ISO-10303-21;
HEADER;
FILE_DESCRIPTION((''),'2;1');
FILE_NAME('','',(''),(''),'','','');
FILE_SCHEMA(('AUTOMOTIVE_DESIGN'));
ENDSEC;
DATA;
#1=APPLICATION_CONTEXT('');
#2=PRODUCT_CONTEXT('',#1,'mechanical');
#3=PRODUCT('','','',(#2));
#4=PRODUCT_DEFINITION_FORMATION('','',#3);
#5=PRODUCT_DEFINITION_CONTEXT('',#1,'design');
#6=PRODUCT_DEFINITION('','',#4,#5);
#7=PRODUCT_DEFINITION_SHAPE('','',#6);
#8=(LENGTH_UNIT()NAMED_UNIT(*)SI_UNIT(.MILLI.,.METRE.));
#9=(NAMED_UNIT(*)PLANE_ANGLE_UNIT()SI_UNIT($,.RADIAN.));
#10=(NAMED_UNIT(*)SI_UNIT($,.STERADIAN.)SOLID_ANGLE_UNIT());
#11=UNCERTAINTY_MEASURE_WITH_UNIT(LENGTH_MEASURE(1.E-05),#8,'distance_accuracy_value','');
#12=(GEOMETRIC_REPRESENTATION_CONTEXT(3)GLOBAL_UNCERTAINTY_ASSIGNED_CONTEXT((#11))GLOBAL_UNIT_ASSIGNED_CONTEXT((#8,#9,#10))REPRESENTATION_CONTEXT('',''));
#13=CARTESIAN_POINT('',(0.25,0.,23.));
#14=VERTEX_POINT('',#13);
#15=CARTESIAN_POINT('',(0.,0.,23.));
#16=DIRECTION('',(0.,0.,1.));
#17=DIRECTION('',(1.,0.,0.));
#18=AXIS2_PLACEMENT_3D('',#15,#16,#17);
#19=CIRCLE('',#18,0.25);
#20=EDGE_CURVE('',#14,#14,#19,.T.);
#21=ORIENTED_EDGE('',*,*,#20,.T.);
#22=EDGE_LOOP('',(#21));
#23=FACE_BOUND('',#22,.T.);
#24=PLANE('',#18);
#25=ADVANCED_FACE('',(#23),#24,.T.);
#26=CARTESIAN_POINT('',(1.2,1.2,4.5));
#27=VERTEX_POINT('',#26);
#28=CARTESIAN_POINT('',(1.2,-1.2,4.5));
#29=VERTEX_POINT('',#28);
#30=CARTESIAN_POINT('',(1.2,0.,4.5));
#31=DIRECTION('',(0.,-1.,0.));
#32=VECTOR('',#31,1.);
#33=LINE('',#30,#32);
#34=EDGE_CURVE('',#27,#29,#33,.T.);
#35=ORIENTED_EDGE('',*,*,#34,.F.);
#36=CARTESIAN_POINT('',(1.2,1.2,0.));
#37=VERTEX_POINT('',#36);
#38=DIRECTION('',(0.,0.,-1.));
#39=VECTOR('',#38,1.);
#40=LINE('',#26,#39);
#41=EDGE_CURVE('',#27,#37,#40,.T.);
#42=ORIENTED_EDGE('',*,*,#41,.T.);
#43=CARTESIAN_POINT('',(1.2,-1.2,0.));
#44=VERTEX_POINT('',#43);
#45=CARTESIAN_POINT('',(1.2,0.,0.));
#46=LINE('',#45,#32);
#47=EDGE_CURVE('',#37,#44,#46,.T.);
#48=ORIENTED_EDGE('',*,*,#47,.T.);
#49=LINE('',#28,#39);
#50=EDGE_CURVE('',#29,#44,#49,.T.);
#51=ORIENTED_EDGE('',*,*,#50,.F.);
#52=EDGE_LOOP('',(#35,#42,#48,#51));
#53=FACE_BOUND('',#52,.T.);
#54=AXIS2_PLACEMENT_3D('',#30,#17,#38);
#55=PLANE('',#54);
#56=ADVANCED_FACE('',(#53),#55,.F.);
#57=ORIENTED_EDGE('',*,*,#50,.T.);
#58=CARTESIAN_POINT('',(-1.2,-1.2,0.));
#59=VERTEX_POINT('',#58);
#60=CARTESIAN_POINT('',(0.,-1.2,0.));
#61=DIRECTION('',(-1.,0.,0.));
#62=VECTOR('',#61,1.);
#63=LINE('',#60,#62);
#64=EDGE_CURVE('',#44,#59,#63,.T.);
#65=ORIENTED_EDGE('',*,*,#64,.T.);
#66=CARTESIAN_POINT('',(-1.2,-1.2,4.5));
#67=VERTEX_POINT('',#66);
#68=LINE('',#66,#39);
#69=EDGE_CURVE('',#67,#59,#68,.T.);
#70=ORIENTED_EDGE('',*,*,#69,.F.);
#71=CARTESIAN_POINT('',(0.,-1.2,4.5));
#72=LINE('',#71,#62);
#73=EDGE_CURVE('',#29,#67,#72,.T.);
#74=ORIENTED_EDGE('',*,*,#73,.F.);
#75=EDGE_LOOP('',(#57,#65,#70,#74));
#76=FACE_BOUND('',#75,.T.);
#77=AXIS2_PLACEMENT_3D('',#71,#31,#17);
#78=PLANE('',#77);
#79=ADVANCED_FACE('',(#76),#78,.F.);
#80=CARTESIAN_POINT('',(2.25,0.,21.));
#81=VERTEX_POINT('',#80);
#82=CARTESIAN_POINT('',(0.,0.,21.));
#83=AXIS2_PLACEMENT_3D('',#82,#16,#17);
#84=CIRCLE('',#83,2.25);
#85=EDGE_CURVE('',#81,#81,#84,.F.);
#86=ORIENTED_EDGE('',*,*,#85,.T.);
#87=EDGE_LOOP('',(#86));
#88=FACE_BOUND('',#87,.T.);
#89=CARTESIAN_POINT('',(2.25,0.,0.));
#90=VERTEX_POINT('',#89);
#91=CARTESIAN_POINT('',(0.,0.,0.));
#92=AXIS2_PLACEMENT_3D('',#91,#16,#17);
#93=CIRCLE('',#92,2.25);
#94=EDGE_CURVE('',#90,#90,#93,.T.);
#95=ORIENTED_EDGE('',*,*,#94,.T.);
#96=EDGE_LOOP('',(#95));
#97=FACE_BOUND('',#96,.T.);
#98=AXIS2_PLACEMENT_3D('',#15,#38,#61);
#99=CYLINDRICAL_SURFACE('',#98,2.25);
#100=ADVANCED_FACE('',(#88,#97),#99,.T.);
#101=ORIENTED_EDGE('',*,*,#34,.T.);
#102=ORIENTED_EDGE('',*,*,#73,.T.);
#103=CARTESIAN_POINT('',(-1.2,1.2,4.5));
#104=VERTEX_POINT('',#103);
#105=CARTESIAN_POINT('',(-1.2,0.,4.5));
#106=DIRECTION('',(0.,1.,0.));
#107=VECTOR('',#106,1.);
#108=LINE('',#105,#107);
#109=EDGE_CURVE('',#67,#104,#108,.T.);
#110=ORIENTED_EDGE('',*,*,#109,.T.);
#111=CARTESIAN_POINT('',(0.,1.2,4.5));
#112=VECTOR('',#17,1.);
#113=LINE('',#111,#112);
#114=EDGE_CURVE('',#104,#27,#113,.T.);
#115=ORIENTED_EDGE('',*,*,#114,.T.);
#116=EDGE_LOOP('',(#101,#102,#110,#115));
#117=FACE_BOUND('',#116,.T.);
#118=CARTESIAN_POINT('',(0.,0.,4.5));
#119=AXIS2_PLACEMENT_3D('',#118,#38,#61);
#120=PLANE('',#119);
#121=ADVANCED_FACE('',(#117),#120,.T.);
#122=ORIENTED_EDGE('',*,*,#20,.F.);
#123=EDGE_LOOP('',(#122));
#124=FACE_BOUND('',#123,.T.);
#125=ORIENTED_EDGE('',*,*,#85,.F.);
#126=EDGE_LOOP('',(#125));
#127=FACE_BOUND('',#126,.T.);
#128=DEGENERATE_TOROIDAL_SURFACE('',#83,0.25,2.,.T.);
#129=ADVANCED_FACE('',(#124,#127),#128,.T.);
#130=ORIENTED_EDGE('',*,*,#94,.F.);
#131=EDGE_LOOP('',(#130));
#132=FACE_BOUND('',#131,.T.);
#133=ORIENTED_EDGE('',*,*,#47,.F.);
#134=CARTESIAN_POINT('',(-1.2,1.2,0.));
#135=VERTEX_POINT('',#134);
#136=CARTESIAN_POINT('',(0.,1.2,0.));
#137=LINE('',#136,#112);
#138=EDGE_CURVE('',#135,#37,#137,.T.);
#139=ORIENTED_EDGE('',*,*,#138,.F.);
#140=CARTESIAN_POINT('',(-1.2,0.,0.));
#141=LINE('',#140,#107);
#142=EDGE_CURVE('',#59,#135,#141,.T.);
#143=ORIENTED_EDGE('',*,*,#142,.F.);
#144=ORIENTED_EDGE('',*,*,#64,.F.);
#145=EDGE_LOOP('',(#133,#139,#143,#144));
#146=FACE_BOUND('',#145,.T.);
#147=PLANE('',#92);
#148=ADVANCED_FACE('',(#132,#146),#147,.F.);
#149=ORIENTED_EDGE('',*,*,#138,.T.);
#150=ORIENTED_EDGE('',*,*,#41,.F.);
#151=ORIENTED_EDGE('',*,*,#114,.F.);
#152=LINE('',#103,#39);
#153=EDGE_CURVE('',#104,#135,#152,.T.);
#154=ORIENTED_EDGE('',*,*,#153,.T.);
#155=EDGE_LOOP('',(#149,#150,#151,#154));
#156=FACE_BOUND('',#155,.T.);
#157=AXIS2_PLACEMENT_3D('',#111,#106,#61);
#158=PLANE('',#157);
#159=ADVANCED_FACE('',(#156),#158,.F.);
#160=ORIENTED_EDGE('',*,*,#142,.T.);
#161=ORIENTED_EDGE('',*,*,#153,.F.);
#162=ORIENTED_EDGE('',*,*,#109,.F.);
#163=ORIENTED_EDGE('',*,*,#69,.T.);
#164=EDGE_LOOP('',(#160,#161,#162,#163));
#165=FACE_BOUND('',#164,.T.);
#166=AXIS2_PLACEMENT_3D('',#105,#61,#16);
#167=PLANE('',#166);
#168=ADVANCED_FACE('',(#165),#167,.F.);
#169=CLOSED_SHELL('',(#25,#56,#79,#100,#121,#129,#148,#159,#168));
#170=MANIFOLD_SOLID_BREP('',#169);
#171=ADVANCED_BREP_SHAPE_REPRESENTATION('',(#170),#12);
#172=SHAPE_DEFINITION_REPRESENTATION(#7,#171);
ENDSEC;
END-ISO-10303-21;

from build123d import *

# Parameters (mm, degrees)
SKETCH_1_R          = 2.25
EXTRUDE_2_DEPTH     = 23
SKETCH_7_W          = 2.4
SKETCH_7_H          = 2.4
CUT_EXTRUDE_3_DEPTH = 4.5
FILLET_2_R          = 2


with BuildPart() as part:
    # 草图1 → 凸台-拉伸2 (new body)
    with BuildSketch(Plane.XY):
        Circle(SKETCH_1_R)
    extrude(amount=EXTRUDE_2_DEPTH)

    # 草图7 → 切除-拉伸3 (cut)
    with BuildSketch(Plane.XY):
        Rectangle(SKETCH_7_W, SKETCH_7_H)
    extrude(amount=CUT_EXTRUDE_3_DEPTH, mode=Mode.SUBTRACT)

    # 圆角2
    fillet_2_edges = [part.edges().sort_by_distance(p)[0] for p in [
        (-2.25, 0, 23),
    ]]
    fillet(fillet_2_edges, radius=FILLET_2_R)


solid = part.part
